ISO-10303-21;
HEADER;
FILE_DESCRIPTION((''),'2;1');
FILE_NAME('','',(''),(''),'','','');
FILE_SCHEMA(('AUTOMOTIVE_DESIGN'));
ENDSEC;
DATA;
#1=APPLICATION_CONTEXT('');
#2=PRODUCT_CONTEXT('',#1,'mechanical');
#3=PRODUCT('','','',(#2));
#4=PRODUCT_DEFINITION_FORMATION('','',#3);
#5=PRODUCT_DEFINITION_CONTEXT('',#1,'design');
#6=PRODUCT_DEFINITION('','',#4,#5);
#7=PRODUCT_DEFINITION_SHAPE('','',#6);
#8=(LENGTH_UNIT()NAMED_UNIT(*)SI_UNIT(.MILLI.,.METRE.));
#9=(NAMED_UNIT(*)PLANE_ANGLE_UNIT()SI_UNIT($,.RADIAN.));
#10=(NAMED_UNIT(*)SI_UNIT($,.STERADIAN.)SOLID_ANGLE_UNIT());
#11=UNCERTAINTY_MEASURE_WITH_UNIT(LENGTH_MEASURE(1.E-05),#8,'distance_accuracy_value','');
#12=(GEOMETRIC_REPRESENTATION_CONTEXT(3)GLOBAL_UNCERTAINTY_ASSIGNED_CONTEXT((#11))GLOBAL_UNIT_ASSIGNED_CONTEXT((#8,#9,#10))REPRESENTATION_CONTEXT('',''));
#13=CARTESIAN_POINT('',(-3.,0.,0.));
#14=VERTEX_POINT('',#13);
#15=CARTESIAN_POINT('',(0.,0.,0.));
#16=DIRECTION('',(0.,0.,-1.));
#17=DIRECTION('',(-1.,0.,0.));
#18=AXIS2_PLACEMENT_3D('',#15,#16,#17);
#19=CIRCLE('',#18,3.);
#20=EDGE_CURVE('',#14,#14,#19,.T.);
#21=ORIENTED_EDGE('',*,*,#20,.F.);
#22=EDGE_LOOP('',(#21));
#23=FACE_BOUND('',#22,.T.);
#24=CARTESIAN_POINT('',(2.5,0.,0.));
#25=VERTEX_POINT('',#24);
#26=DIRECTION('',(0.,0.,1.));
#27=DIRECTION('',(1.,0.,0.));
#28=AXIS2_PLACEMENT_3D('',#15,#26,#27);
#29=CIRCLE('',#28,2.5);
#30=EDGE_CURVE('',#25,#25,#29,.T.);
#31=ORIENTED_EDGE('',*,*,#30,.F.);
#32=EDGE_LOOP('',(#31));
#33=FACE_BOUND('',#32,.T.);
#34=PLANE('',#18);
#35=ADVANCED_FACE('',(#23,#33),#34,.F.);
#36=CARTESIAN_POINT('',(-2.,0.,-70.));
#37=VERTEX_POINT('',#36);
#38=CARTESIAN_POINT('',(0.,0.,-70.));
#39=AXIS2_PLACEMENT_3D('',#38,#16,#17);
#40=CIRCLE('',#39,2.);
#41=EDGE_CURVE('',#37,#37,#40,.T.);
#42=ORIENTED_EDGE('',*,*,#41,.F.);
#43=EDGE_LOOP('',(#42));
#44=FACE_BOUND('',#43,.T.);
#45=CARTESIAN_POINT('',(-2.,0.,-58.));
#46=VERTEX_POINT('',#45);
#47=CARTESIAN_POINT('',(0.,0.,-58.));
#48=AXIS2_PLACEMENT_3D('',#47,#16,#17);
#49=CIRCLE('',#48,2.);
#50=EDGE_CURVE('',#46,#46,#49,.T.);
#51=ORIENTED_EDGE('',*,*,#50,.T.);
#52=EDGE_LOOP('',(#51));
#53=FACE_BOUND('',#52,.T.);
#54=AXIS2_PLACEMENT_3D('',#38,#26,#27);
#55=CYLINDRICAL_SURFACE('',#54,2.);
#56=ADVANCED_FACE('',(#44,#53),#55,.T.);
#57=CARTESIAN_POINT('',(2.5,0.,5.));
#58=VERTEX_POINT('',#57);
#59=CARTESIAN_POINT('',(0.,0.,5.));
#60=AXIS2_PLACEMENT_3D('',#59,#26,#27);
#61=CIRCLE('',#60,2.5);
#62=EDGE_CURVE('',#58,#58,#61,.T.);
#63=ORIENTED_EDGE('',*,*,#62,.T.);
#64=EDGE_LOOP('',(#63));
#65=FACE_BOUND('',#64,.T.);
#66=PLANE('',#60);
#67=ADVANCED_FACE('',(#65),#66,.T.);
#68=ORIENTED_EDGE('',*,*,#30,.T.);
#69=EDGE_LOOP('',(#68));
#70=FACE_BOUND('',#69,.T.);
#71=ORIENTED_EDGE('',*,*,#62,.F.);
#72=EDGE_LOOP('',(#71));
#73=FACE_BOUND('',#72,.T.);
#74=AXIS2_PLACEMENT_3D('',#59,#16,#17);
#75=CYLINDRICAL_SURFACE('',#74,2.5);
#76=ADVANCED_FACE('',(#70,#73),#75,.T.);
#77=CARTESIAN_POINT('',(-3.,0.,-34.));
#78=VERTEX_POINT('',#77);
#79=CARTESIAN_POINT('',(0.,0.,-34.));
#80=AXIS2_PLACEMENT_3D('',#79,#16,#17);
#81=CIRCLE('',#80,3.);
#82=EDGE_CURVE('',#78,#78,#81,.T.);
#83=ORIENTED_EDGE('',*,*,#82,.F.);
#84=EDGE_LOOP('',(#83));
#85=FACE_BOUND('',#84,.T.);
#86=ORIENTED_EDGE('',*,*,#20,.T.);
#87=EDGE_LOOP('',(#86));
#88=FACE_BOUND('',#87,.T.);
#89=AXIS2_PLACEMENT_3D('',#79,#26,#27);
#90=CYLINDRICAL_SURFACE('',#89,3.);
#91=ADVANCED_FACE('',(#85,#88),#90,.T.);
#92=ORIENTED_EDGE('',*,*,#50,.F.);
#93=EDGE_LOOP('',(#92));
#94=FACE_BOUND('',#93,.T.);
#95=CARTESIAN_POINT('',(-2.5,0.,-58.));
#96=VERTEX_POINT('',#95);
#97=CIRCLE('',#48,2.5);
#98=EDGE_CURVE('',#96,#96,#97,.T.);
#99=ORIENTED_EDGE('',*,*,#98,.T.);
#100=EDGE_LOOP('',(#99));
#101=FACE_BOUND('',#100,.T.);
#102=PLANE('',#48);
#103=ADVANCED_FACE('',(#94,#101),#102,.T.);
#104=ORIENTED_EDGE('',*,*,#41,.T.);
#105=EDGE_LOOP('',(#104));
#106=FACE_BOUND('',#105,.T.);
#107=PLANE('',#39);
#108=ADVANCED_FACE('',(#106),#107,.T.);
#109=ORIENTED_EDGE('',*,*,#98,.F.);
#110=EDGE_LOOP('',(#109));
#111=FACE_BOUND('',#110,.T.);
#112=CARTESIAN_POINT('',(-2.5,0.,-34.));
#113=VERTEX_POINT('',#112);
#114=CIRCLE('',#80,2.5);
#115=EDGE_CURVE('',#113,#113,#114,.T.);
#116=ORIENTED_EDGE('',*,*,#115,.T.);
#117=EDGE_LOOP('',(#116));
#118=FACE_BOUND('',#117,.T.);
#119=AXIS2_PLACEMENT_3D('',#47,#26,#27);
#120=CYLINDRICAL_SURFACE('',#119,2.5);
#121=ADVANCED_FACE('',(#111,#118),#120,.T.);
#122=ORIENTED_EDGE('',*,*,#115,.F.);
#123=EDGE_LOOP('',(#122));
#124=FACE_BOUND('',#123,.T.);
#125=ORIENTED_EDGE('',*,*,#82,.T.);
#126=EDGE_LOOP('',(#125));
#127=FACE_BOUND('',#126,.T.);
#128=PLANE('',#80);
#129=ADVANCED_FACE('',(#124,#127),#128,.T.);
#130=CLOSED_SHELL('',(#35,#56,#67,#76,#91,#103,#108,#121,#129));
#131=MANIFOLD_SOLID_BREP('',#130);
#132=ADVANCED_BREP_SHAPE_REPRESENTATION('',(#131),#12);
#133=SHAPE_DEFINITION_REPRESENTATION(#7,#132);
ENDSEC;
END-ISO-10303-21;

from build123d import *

# Parameters (mm, degrees)
SKETCH_1_R      = 2.5
EXTRUDE_1_DEPTH = 5
SKETCH_2_R      = 3
EXTRUDE_2_DEPTH = 34
EXTRUDE_START   = 24
SKETCH_3_R      = 2.5
EXTRUDE_3_DEPTH = 24
SKETCH_4_R      = 2
EXTRUDE_4_DEPTH = 12


with BuildPart() as part:
    # 草图1 → 凸台-拉伸1 (new body)
    with BuildSketch(Plane.XY):
        Circle(SKETCH_1_R)
    extrude(amount=EXTRUDE_1_DEPTH)

    # 草图2 → 凸台-拉伸2 (add)
    with BuildSketch(Plane(origin=(0, 0, 0), x_dir=(-1, 0, 0), z_dir=(0, 0, -1))):
        Circle(SKETCH_2_R)
    extrude(amount=EXTRUDE_2_DEPTH)

    # 草图3 → 凸台-拉伸3 (add)
    with BuildSketch(Plane(origin=(0, 0, -34), x_dir=(-1, 0, 0), z_dir=(0, 0, -1)).offset(EXTRUDE_START)):
        with Locations(Location((0, 0, 0), (0, 0, 180))):
            Circle(SKETCH_3_R)
    extrude(amount=-EXTRUDE_3_DEPTH)

    # 草图4 → 凸台-拉伸4 (add)
    with BuildSketch(Plane(origin=(0, 0, -58), x_dir=(-1, 0, 0), z_dir=(0, 0, -1))):
        Circle(SKETCH_4_R)
    extrude(amount=EXTRUDE_4_DEPTH)


solid = part.part
